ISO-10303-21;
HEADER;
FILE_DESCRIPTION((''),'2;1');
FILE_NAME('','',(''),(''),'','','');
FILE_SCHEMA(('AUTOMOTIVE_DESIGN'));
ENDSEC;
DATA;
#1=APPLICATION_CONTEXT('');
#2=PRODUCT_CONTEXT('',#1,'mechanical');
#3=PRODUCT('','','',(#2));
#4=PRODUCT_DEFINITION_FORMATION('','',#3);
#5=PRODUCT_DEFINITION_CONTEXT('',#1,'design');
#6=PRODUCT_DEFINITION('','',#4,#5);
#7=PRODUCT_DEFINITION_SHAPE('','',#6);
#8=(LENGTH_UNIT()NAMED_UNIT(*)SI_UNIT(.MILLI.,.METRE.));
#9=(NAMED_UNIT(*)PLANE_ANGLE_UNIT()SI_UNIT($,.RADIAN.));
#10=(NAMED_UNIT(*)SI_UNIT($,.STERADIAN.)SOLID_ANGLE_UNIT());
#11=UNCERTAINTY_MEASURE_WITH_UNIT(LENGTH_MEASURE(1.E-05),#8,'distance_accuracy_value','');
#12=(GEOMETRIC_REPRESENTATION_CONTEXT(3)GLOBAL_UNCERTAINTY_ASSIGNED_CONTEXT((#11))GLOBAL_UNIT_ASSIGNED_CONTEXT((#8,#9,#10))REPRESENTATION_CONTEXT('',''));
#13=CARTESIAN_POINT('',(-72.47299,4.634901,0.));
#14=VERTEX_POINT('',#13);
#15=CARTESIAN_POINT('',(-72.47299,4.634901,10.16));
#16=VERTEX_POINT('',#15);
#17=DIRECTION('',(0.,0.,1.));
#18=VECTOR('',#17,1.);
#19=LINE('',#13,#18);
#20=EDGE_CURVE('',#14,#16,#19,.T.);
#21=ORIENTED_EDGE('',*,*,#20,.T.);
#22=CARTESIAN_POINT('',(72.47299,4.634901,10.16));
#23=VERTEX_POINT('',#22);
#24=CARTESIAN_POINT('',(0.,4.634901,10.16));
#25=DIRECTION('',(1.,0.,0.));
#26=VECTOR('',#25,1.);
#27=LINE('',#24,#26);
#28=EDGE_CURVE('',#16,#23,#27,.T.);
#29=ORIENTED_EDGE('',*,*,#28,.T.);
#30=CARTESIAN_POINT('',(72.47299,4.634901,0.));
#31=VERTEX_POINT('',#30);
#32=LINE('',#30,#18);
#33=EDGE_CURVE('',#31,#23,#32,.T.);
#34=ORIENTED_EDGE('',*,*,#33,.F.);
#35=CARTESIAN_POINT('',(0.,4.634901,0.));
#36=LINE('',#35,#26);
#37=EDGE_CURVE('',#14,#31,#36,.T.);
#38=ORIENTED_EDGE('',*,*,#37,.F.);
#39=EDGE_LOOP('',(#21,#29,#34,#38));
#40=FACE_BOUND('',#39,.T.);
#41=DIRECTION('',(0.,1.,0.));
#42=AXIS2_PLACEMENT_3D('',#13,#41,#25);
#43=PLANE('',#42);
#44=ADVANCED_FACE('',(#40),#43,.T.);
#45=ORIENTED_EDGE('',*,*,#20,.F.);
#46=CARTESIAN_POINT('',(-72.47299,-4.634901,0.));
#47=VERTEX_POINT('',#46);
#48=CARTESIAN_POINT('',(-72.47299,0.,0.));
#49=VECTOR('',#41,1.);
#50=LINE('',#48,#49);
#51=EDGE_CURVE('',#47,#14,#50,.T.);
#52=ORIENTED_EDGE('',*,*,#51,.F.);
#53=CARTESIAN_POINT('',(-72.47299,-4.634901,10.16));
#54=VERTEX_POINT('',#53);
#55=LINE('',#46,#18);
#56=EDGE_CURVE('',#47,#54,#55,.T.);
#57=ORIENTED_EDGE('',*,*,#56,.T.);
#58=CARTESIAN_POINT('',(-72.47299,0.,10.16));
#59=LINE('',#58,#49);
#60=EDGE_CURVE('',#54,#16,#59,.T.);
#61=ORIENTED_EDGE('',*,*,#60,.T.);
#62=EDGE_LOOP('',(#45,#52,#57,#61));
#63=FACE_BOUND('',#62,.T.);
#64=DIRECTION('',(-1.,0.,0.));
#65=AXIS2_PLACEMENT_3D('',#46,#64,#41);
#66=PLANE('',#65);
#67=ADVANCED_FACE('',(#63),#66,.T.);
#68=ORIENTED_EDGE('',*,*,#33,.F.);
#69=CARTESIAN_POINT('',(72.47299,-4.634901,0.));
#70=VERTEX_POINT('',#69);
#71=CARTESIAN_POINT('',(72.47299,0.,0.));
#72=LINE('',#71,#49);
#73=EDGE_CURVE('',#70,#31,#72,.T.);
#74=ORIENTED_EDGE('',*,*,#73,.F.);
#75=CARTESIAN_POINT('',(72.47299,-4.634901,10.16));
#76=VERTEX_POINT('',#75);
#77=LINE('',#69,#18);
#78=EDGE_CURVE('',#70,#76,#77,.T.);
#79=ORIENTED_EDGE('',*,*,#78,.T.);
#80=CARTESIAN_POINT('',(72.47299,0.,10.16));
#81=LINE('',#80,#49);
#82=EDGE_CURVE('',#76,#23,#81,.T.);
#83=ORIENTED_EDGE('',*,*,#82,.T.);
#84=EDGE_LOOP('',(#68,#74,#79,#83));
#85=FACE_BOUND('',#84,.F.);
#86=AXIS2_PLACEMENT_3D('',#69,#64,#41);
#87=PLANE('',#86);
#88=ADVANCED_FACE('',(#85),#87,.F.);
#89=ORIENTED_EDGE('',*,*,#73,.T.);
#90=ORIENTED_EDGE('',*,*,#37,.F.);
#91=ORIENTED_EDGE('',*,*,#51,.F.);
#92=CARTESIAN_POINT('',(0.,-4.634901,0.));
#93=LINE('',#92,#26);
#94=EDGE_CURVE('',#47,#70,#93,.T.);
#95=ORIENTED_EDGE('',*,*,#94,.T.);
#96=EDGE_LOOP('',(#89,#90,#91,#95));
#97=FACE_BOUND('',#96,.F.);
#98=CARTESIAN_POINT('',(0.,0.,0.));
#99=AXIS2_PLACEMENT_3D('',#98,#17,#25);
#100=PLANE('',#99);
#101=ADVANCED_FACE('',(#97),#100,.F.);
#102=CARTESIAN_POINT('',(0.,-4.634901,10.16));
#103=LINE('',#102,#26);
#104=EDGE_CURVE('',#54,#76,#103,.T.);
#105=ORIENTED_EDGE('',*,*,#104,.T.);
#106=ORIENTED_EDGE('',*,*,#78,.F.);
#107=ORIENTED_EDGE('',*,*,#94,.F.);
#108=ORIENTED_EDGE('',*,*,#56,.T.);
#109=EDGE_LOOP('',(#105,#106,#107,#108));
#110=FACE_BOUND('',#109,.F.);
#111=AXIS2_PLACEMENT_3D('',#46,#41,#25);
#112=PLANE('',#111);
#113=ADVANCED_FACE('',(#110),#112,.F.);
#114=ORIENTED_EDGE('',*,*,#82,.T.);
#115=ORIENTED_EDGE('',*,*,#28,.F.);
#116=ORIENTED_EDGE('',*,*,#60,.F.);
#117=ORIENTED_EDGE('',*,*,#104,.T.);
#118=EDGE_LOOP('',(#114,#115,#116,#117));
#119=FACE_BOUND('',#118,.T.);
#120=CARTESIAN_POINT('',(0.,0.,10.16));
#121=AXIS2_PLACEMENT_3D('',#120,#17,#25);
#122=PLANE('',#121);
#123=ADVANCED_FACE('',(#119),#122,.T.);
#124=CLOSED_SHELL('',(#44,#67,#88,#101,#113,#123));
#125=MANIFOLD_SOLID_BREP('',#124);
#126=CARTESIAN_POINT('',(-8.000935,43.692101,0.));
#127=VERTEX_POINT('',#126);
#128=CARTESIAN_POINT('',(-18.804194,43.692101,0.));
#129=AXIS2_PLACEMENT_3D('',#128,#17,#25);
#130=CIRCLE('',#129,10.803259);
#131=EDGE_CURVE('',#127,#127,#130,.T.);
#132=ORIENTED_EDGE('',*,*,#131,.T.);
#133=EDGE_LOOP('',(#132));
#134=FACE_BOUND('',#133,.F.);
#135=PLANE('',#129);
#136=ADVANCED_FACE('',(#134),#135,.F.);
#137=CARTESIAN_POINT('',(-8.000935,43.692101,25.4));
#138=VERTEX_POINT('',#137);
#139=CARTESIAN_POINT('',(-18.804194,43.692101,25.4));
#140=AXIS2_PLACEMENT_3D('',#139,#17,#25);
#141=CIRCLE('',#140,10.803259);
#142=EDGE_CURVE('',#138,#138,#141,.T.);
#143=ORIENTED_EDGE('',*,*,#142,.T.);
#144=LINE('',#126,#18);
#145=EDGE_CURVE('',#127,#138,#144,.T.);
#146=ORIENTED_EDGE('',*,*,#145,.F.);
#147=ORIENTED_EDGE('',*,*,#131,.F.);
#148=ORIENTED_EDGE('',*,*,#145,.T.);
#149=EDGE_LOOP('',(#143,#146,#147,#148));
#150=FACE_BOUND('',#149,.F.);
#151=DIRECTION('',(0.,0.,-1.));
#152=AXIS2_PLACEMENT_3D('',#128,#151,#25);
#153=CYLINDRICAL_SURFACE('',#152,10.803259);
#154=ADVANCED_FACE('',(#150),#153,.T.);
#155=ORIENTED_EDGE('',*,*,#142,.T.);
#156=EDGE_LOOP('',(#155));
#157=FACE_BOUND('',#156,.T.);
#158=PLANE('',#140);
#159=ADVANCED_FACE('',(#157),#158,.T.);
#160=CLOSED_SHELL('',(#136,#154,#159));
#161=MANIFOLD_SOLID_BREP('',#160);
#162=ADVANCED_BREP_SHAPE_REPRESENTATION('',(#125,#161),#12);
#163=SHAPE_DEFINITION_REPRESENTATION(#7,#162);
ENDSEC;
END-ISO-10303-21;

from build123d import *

# Parameters (mm, degrees)
F0_W     = 144.94598
F0_H     = 9.269802
F1_DEPTH = 10.16
F0_R     = 10.803259
F2_DEPTH = 25.4


with BuildPart() as f1:
    # F0 (on Top) → F1 (new body)
    with BuildSketch(Plane.XY):
        Rectangle(F0_W, F0_H)
    extrude(amount=F1_DEPTH)


with BuildPart() as f2:
    # F0 (on Top) → F2 (new body)
    with BuildSketch(Plane.XY):
        with Locations((-18.804194, 43.692101)):
            Circle(F0_R)
    extrude(amount=F2_DEPTH)


solid = Compound([f1.part, f2.part])
